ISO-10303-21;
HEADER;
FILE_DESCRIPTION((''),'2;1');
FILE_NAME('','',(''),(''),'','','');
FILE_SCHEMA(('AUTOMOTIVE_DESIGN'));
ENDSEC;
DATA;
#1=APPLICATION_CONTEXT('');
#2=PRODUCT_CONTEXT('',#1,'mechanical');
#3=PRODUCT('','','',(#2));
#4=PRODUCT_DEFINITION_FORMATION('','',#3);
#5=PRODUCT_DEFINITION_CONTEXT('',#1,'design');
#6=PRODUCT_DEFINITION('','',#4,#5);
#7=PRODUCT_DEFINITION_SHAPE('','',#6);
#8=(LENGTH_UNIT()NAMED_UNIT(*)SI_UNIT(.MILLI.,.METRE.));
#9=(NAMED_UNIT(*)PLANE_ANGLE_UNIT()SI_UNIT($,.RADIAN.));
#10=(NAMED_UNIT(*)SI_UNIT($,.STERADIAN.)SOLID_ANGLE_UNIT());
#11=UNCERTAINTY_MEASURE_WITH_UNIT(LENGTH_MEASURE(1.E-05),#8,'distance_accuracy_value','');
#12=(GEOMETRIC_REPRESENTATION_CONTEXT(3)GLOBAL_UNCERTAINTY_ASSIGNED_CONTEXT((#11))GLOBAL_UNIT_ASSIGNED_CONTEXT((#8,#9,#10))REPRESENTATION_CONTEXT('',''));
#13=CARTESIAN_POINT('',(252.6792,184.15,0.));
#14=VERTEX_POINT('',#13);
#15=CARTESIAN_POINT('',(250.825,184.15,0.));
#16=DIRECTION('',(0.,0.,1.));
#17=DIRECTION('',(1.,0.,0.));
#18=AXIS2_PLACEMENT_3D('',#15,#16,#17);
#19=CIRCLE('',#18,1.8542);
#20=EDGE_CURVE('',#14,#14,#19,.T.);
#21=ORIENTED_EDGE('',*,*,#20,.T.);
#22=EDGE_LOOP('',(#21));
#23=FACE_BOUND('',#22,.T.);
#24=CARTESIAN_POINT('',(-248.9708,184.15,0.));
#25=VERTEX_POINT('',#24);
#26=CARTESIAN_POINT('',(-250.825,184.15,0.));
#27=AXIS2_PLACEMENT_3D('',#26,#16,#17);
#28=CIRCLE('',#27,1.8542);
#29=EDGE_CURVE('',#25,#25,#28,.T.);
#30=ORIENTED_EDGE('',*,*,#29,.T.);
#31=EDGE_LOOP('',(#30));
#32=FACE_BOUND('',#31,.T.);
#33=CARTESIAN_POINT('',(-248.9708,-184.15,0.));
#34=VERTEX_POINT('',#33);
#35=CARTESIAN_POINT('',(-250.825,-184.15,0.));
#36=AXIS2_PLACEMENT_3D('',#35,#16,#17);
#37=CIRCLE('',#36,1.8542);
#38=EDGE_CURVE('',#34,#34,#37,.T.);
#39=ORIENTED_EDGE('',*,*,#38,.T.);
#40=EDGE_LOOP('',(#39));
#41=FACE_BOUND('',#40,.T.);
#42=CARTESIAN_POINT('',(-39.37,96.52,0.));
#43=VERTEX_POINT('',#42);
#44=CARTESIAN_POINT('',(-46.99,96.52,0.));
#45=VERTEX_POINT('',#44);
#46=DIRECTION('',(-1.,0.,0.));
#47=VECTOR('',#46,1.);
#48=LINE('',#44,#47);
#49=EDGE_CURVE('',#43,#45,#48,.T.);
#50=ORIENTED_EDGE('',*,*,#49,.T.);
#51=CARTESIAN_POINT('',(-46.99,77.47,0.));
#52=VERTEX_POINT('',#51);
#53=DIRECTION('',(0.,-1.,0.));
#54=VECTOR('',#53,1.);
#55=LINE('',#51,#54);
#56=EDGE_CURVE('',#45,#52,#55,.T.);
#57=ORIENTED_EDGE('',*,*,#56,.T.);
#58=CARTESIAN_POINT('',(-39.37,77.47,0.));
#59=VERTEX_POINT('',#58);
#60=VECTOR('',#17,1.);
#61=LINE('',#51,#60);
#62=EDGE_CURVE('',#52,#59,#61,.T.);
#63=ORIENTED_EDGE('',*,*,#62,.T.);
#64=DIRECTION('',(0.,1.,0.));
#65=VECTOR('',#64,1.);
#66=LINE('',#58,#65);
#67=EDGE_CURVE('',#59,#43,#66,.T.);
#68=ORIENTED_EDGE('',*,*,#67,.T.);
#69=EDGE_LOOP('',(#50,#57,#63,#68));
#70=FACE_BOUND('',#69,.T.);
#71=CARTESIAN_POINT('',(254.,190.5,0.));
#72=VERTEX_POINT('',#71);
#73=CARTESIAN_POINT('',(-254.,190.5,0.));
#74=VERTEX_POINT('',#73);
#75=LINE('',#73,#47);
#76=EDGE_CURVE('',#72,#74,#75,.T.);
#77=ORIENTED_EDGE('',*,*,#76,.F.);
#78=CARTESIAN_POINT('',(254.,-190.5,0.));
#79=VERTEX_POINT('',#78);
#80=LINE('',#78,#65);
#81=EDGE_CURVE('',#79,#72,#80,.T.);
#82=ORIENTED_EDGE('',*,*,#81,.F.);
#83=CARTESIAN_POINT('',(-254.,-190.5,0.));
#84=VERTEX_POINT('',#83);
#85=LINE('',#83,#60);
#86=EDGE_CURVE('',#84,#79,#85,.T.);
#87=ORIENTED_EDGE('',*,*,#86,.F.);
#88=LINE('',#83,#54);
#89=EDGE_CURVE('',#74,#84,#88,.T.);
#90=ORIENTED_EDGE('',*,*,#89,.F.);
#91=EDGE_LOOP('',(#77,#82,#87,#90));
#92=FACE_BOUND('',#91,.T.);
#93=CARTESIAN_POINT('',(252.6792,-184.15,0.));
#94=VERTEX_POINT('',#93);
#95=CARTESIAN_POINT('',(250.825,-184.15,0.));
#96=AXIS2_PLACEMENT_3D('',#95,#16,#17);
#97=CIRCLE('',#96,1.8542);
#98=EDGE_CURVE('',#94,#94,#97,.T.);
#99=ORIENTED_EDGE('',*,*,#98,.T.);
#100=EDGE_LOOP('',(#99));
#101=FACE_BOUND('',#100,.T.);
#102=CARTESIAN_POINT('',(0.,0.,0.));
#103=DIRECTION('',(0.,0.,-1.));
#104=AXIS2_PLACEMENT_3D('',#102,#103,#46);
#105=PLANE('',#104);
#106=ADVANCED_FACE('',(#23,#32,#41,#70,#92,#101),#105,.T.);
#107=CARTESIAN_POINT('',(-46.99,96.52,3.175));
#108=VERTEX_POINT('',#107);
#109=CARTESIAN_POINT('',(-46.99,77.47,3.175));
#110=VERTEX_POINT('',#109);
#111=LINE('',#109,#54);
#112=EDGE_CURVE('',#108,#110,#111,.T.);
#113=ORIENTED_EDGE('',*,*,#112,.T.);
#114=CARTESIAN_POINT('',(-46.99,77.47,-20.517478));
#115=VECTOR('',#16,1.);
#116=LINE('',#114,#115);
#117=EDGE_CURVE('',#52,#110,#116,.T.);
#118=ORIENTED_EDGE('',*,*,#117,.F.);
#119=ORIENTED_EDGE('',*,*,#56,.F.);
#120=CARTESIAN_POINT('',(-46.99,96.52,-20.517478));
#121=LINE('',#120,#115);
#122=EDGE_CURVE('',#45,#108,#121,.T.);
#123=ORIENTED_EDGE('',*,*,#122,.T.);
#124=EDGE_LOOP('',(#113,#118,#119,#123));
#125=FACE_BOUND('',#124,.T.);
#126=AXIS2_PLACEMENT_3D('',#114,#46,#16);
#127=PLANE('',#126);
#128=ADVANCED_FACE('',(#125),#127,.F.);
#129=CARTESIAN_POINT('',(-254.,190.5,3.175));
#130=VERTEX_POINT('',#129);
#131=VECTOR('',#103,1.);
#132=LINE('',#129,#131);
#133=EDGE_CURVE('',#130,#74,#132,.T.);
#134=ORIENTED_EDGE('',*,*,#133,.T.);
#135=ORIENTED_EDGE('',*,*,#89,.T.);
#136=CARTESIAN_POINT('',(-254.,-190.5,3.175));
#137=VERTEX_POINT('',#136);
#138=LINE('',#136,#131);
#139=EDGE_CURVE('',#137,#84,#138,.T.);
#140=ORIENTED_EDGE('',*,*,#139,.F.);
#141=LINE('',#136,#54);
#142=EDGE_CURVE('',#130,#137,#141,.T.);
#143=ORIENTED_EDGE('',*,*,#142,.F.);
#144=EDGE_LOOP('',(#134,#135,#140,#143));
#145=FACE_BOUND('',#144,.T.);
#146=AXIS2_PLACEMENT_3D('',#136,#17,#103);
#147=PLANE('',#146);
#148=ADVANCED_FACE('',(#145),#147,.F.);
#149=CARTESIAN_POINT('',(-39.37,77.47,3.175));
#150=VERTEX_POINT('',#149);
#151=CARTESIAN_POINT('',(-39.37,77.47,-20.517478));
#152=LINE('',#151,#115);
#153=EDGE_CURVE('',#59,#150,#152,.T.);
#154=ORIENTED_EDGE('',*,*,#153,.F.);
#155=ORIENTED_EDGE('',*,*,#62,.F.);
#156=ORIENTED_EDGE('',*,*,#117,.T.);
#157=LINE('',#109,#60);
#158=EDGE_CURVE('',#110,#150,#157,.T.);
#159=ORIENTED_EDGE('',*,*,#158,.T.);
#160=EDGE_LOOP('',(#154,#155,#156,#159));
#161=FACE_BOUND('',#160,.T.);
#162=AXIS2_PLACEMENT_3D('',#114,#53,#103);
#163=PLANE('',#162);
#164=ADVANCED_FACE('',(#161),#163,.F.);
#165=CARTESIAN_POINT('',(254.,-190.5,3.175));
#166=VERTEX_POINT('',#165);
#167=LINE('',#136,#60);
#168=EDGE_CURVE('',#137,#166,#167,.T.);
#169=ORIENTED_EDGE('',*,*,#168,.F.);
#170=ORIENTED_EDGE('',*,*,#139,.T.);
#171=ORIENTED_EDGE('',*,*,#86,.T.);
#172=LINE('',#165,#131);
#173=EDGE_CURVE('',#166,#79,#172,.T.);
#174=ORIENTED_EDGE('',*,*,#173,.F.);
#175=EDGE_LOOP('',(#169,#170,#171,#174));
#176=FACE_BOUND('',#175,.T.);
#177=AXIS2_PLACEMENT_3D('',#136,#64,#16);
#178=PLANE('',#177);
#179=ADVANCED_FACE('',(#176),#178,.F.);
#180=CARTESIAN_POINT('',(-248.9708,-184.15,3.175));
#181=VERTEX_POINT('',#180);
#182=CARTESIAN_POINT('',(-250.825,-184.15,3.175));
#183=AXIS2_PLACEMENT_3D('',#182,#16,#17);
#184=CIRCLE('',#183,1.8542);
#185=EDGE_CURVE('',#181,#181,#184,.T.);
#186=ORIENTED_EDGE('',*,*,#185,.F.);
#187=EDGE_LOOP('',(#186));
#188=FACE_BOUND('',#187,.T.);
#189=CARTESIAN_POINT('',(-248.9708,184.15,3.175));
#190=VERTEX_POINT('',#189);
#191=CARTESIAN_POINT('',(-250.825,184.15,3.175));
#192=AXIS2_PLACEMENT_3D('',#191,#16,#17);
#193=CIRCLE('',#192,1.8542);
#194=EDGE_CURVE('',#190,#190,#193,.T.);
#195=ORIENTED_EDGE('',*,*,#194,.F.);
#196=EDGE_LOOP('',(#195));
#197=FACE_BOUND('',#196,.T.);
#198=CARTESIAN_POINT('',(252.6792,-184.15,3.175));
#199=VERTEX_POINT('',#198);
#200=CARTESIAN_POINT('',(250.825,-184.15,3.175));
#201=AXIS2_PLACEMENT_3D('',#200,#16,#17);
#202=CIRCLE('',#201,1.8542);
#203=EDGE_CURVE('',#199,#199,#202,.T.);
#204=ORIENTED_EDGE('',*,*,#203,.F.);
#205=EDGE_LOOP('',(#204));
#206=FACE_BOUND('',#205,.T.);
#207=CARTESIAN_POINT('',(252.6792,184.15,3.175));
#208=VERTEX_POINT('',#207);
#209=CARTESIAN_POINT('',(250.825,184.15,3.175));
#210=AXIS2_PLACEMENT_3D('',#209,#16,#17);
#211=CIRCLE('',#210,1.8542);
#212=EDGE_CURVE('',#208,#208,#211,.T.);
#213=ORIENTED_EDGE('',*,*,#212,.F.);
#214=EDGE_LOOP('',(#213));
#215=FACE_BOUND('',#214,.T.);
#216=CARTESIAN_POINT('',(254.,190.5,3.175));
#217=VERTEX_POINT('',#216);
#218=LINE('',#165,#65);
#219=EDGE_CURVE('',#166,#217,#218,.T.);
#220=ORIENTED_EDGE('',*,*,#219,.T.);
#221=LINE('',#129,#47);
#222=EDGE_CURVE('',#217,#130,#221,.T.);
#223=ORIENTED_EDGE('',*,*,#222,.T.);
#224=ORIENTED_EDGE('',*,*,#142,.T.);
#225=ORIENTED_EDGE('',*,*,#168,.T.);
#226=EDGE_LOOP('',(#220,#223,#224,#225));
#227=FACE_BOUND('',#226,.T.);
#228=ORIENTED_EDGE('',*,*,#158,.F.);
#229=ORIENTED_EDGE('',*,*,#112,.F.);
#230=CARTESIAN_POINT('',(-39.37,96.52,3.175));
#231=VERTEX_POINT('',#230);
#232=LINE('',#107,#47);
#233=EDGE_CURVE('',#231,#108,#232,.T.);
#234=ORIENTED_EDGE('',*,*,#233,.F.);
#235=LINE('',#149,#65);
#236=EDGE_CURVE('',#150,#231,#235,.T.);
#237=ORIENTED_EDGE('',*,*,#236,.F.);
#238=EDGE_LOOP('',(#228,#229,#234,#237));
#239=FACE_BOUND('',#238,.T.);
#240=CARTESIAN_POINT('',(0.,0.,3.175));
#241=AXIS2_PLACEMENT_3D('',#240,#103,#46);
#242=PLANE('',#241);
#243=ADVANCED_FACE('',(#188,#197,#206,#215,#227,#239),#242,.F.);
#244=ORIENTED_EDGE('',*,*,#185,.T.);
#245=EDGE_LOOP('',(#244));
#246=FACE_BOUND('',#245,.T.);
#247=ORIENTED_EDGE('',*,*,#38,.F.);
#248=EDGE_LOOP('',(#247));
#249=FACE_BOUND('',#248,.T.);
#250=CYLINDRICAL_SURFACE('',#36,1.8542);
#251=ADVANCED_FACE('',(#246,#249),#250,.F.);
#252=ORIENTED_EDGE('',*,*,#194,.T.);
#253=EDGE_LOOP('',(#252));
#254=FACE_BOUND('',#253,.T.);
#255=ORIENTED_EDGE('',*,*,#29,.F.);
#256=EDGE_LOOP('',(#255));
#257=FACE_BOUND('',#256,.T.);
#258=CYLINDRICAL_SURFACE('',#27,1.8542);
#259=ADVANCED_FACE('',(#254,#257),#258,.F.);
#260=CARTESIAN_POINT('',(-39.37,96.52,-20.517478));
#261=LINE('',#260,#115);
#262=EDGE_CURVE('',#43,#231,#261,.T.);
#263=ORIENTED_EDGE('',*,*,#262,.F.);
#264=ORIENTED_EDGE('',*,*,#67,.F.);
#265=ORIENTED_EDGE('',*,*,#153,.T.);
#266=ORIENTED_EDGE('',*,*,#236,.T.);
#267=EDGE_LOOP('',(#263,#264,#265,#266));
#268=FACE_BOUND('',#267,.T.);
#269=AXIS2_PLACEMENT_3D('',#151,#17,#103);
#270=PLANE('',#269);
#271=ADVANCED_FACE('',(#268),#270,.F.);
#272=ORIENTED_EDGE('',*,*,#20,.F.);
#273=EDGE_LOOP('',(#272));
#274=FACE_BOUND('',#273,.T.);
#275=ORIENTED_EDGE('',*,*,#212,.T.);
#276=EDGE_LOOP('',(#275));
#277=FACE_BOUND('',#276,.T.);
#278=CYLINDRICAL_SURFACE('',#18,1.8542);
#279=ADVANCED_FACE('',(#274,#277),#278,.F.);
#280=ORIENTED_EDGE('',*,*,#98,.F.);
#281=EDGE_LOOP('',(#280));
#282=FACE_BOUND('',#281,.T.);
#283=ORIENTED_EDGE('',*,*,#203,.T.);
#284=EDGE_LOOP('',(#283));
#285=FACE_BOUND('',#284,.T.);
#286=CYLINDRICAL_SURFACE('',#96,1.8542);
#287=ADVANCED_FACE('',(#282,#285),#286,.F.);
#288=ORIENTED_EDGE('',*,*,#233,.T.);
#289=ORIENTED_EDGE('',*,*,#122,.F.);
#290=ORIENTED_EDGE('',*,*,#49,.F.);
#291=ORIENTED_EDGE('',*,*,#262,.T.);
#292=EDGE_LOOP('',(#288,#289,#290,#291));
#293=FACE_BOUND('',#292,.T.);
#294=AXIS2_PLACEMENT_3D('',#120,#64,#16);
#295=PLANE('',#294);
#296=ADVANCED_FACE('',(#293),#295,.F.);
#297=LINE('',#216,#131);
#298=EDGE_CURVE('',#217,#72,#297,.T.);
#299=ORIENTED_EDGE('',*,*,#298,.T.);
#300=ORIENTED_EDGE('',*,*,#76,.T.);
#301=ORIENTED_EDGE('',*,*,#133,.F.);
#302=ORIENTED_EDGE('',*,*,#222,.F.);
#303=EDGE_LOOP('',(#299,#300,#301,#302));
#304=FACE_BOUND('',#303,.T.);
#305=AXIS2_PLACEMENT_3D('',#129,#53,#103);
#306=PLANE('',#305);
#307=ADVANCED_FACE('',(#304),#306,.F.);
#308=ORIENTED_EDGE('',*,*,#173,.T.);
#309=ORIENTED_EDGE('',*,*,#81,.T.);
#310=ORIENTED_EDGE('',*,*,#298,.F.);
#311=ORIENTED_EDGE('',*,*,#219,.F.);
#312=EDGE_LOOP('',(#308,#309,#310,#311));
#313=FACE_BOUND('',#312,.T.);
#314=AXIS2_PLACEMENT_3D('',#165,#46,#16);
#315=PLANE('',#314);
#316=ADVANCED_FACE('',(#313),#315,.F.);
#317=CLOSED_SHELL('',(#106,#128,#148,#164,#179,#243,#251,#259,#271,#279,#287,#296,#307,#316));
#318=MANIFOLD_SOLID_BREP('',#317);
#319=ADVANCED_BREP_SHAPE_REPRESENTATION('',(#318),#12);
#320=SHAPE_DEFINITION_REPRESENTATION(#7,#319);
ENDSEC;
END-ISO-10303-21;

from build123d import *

# Parameters (mm, degrees)
SKETCH1_W           = 508
SKETCH1_H           = 381
BOSS_EXTRUDE1_DEPTH = 3.175
SKETCH2_R           = 1.8542
CUT_EXTRUDE1_DEPTH  = 3.175
SKETCH3_W           = 7.62
SKETCH3_H           = 19.05
CUT_EXTRUDE2_DEPTH  = 3.175


with BuildPart() as part:
    # Sketch1 → Boss-Extrude1 (new body)
    with BuildSketch(Plane.XY):
        Rectangle(SKETCH1_W, SKETCH1_H)
    extrude(amount=BOSS_EXTRUDE1_DEPTH)

    # Sketch2 → Cut-Extrude1 (cut)
    with BuildSketch(Plane.XY.offset(3.175)):
        with Locations((-250.825, -184.15)):
            Circle(SKETCH2_R)
        with Locations((-250.825, 184.15)):
            Circle(SKETCH2_R)
        with Locations((250.825, 184.15)):
            Circle(SKETCH2_R)
        with Locations((250.825, -184.15)):
            Circle(SKETCH2_R)
    extrude(amount=-CUT_EXTRUDE1_DEPTH, mode=Mode.SUBTRACT)

    # Sketch3 → Cut-Extrude2 (cut)
    with BuildSketch(Plane.XY.offset(3.175)):
        with Locations((-43.18, 86.995)):
            Rectangle(SKETCH3_W, SKETCH3_H)
    extrude(amount=-CUT_EXTRUDE2_DEPTH, mode=Mode.SUBTRACT)


solid = part.part
